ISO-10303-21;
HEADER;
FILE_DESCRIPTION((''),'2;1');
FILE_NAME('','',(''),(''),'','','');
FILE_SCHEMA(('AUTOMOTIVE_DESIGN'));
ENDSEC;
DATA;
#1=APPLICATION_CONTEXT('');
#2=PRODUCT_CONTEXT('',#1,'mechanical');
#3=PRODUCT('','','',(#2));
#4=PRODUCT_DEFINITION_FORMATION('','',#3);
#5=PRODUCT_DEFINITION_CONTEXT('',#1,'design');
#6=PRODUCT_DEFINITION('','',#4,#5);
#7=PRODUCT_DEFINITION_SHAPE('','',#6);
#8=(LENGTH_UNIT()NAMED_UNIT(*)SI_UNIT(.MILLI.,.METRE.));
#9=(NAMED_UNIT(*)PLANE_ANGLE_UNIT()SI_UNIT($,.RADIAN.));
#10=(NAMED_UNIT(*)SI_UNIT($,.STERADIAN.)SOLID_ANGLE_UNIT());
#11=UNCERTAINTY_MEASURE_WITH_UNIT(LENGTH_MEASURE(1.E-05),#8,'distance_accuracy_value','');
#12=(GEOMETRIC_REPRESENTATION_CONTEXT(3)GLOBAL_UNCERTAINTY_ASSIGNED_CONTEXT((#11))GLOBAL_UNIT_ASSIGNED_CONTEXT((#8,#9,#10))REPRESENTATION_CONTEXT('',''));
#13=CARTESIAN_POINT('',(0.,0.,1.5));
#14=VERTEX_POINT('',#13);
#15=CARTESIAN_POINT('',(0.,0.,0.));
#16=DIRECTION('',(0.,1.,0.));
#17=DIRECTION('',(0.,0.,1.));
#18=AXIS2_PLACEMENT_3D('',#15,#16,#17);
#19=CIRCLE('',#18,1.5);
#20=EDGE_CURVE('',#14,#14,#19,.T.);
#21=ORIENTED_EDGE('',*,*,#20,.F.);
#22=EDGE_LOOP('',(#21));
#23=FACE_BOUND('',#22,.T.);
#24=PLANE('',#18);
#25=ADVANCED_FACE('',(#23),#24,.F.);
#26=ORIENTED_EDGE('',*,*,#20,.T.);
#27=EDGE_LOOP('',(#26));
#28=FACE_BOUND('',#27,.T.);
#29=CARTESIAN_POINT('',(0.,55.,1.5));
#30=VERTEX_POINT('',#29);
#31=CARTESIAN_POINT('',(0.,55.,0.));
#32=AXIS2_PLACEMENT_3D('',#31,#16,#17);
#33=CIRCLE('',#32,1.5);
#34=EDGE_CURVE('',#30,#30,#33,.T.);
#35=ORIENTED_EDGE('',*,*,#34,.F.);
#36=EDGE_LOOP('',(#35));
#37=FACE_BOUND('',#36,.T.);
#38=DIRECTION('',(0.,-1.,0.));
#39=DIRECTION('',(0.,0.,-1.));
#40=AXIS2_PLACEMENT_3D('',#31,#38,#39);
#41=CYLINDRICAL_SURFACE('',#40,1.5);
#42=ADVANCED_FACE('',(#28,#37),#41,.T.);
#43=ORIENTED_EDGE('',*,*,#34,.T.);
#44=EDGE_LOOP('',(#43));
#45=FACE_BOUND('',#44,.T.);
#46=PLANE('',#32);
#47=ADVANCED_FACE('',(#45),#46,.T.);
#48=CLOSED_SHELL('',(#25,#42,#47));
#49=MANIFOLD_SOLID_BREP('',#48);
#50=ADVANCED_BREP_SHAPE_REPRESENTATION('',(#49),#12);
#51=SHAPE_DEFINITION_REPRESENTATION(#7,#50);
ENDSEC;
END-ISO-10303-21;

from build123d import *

# Parameters (mm, degrees)
SKETCH1_R           = 1.5
BOSS_EXTRUDE1_DEPTH = 55


with BuildPart() as part:
    # Sketch1 → Boss-Extrude1 (new body)
    with BuildSketch(Plane(origin=(0, 0, 0), x_dir=(1, 0, 0), z_dir=(0, 1, 0))):
        Circle(SKETCH1_R)
    extrude(amount=BOSS_EXTRUDE1_DEPTH)


solid = part.part
